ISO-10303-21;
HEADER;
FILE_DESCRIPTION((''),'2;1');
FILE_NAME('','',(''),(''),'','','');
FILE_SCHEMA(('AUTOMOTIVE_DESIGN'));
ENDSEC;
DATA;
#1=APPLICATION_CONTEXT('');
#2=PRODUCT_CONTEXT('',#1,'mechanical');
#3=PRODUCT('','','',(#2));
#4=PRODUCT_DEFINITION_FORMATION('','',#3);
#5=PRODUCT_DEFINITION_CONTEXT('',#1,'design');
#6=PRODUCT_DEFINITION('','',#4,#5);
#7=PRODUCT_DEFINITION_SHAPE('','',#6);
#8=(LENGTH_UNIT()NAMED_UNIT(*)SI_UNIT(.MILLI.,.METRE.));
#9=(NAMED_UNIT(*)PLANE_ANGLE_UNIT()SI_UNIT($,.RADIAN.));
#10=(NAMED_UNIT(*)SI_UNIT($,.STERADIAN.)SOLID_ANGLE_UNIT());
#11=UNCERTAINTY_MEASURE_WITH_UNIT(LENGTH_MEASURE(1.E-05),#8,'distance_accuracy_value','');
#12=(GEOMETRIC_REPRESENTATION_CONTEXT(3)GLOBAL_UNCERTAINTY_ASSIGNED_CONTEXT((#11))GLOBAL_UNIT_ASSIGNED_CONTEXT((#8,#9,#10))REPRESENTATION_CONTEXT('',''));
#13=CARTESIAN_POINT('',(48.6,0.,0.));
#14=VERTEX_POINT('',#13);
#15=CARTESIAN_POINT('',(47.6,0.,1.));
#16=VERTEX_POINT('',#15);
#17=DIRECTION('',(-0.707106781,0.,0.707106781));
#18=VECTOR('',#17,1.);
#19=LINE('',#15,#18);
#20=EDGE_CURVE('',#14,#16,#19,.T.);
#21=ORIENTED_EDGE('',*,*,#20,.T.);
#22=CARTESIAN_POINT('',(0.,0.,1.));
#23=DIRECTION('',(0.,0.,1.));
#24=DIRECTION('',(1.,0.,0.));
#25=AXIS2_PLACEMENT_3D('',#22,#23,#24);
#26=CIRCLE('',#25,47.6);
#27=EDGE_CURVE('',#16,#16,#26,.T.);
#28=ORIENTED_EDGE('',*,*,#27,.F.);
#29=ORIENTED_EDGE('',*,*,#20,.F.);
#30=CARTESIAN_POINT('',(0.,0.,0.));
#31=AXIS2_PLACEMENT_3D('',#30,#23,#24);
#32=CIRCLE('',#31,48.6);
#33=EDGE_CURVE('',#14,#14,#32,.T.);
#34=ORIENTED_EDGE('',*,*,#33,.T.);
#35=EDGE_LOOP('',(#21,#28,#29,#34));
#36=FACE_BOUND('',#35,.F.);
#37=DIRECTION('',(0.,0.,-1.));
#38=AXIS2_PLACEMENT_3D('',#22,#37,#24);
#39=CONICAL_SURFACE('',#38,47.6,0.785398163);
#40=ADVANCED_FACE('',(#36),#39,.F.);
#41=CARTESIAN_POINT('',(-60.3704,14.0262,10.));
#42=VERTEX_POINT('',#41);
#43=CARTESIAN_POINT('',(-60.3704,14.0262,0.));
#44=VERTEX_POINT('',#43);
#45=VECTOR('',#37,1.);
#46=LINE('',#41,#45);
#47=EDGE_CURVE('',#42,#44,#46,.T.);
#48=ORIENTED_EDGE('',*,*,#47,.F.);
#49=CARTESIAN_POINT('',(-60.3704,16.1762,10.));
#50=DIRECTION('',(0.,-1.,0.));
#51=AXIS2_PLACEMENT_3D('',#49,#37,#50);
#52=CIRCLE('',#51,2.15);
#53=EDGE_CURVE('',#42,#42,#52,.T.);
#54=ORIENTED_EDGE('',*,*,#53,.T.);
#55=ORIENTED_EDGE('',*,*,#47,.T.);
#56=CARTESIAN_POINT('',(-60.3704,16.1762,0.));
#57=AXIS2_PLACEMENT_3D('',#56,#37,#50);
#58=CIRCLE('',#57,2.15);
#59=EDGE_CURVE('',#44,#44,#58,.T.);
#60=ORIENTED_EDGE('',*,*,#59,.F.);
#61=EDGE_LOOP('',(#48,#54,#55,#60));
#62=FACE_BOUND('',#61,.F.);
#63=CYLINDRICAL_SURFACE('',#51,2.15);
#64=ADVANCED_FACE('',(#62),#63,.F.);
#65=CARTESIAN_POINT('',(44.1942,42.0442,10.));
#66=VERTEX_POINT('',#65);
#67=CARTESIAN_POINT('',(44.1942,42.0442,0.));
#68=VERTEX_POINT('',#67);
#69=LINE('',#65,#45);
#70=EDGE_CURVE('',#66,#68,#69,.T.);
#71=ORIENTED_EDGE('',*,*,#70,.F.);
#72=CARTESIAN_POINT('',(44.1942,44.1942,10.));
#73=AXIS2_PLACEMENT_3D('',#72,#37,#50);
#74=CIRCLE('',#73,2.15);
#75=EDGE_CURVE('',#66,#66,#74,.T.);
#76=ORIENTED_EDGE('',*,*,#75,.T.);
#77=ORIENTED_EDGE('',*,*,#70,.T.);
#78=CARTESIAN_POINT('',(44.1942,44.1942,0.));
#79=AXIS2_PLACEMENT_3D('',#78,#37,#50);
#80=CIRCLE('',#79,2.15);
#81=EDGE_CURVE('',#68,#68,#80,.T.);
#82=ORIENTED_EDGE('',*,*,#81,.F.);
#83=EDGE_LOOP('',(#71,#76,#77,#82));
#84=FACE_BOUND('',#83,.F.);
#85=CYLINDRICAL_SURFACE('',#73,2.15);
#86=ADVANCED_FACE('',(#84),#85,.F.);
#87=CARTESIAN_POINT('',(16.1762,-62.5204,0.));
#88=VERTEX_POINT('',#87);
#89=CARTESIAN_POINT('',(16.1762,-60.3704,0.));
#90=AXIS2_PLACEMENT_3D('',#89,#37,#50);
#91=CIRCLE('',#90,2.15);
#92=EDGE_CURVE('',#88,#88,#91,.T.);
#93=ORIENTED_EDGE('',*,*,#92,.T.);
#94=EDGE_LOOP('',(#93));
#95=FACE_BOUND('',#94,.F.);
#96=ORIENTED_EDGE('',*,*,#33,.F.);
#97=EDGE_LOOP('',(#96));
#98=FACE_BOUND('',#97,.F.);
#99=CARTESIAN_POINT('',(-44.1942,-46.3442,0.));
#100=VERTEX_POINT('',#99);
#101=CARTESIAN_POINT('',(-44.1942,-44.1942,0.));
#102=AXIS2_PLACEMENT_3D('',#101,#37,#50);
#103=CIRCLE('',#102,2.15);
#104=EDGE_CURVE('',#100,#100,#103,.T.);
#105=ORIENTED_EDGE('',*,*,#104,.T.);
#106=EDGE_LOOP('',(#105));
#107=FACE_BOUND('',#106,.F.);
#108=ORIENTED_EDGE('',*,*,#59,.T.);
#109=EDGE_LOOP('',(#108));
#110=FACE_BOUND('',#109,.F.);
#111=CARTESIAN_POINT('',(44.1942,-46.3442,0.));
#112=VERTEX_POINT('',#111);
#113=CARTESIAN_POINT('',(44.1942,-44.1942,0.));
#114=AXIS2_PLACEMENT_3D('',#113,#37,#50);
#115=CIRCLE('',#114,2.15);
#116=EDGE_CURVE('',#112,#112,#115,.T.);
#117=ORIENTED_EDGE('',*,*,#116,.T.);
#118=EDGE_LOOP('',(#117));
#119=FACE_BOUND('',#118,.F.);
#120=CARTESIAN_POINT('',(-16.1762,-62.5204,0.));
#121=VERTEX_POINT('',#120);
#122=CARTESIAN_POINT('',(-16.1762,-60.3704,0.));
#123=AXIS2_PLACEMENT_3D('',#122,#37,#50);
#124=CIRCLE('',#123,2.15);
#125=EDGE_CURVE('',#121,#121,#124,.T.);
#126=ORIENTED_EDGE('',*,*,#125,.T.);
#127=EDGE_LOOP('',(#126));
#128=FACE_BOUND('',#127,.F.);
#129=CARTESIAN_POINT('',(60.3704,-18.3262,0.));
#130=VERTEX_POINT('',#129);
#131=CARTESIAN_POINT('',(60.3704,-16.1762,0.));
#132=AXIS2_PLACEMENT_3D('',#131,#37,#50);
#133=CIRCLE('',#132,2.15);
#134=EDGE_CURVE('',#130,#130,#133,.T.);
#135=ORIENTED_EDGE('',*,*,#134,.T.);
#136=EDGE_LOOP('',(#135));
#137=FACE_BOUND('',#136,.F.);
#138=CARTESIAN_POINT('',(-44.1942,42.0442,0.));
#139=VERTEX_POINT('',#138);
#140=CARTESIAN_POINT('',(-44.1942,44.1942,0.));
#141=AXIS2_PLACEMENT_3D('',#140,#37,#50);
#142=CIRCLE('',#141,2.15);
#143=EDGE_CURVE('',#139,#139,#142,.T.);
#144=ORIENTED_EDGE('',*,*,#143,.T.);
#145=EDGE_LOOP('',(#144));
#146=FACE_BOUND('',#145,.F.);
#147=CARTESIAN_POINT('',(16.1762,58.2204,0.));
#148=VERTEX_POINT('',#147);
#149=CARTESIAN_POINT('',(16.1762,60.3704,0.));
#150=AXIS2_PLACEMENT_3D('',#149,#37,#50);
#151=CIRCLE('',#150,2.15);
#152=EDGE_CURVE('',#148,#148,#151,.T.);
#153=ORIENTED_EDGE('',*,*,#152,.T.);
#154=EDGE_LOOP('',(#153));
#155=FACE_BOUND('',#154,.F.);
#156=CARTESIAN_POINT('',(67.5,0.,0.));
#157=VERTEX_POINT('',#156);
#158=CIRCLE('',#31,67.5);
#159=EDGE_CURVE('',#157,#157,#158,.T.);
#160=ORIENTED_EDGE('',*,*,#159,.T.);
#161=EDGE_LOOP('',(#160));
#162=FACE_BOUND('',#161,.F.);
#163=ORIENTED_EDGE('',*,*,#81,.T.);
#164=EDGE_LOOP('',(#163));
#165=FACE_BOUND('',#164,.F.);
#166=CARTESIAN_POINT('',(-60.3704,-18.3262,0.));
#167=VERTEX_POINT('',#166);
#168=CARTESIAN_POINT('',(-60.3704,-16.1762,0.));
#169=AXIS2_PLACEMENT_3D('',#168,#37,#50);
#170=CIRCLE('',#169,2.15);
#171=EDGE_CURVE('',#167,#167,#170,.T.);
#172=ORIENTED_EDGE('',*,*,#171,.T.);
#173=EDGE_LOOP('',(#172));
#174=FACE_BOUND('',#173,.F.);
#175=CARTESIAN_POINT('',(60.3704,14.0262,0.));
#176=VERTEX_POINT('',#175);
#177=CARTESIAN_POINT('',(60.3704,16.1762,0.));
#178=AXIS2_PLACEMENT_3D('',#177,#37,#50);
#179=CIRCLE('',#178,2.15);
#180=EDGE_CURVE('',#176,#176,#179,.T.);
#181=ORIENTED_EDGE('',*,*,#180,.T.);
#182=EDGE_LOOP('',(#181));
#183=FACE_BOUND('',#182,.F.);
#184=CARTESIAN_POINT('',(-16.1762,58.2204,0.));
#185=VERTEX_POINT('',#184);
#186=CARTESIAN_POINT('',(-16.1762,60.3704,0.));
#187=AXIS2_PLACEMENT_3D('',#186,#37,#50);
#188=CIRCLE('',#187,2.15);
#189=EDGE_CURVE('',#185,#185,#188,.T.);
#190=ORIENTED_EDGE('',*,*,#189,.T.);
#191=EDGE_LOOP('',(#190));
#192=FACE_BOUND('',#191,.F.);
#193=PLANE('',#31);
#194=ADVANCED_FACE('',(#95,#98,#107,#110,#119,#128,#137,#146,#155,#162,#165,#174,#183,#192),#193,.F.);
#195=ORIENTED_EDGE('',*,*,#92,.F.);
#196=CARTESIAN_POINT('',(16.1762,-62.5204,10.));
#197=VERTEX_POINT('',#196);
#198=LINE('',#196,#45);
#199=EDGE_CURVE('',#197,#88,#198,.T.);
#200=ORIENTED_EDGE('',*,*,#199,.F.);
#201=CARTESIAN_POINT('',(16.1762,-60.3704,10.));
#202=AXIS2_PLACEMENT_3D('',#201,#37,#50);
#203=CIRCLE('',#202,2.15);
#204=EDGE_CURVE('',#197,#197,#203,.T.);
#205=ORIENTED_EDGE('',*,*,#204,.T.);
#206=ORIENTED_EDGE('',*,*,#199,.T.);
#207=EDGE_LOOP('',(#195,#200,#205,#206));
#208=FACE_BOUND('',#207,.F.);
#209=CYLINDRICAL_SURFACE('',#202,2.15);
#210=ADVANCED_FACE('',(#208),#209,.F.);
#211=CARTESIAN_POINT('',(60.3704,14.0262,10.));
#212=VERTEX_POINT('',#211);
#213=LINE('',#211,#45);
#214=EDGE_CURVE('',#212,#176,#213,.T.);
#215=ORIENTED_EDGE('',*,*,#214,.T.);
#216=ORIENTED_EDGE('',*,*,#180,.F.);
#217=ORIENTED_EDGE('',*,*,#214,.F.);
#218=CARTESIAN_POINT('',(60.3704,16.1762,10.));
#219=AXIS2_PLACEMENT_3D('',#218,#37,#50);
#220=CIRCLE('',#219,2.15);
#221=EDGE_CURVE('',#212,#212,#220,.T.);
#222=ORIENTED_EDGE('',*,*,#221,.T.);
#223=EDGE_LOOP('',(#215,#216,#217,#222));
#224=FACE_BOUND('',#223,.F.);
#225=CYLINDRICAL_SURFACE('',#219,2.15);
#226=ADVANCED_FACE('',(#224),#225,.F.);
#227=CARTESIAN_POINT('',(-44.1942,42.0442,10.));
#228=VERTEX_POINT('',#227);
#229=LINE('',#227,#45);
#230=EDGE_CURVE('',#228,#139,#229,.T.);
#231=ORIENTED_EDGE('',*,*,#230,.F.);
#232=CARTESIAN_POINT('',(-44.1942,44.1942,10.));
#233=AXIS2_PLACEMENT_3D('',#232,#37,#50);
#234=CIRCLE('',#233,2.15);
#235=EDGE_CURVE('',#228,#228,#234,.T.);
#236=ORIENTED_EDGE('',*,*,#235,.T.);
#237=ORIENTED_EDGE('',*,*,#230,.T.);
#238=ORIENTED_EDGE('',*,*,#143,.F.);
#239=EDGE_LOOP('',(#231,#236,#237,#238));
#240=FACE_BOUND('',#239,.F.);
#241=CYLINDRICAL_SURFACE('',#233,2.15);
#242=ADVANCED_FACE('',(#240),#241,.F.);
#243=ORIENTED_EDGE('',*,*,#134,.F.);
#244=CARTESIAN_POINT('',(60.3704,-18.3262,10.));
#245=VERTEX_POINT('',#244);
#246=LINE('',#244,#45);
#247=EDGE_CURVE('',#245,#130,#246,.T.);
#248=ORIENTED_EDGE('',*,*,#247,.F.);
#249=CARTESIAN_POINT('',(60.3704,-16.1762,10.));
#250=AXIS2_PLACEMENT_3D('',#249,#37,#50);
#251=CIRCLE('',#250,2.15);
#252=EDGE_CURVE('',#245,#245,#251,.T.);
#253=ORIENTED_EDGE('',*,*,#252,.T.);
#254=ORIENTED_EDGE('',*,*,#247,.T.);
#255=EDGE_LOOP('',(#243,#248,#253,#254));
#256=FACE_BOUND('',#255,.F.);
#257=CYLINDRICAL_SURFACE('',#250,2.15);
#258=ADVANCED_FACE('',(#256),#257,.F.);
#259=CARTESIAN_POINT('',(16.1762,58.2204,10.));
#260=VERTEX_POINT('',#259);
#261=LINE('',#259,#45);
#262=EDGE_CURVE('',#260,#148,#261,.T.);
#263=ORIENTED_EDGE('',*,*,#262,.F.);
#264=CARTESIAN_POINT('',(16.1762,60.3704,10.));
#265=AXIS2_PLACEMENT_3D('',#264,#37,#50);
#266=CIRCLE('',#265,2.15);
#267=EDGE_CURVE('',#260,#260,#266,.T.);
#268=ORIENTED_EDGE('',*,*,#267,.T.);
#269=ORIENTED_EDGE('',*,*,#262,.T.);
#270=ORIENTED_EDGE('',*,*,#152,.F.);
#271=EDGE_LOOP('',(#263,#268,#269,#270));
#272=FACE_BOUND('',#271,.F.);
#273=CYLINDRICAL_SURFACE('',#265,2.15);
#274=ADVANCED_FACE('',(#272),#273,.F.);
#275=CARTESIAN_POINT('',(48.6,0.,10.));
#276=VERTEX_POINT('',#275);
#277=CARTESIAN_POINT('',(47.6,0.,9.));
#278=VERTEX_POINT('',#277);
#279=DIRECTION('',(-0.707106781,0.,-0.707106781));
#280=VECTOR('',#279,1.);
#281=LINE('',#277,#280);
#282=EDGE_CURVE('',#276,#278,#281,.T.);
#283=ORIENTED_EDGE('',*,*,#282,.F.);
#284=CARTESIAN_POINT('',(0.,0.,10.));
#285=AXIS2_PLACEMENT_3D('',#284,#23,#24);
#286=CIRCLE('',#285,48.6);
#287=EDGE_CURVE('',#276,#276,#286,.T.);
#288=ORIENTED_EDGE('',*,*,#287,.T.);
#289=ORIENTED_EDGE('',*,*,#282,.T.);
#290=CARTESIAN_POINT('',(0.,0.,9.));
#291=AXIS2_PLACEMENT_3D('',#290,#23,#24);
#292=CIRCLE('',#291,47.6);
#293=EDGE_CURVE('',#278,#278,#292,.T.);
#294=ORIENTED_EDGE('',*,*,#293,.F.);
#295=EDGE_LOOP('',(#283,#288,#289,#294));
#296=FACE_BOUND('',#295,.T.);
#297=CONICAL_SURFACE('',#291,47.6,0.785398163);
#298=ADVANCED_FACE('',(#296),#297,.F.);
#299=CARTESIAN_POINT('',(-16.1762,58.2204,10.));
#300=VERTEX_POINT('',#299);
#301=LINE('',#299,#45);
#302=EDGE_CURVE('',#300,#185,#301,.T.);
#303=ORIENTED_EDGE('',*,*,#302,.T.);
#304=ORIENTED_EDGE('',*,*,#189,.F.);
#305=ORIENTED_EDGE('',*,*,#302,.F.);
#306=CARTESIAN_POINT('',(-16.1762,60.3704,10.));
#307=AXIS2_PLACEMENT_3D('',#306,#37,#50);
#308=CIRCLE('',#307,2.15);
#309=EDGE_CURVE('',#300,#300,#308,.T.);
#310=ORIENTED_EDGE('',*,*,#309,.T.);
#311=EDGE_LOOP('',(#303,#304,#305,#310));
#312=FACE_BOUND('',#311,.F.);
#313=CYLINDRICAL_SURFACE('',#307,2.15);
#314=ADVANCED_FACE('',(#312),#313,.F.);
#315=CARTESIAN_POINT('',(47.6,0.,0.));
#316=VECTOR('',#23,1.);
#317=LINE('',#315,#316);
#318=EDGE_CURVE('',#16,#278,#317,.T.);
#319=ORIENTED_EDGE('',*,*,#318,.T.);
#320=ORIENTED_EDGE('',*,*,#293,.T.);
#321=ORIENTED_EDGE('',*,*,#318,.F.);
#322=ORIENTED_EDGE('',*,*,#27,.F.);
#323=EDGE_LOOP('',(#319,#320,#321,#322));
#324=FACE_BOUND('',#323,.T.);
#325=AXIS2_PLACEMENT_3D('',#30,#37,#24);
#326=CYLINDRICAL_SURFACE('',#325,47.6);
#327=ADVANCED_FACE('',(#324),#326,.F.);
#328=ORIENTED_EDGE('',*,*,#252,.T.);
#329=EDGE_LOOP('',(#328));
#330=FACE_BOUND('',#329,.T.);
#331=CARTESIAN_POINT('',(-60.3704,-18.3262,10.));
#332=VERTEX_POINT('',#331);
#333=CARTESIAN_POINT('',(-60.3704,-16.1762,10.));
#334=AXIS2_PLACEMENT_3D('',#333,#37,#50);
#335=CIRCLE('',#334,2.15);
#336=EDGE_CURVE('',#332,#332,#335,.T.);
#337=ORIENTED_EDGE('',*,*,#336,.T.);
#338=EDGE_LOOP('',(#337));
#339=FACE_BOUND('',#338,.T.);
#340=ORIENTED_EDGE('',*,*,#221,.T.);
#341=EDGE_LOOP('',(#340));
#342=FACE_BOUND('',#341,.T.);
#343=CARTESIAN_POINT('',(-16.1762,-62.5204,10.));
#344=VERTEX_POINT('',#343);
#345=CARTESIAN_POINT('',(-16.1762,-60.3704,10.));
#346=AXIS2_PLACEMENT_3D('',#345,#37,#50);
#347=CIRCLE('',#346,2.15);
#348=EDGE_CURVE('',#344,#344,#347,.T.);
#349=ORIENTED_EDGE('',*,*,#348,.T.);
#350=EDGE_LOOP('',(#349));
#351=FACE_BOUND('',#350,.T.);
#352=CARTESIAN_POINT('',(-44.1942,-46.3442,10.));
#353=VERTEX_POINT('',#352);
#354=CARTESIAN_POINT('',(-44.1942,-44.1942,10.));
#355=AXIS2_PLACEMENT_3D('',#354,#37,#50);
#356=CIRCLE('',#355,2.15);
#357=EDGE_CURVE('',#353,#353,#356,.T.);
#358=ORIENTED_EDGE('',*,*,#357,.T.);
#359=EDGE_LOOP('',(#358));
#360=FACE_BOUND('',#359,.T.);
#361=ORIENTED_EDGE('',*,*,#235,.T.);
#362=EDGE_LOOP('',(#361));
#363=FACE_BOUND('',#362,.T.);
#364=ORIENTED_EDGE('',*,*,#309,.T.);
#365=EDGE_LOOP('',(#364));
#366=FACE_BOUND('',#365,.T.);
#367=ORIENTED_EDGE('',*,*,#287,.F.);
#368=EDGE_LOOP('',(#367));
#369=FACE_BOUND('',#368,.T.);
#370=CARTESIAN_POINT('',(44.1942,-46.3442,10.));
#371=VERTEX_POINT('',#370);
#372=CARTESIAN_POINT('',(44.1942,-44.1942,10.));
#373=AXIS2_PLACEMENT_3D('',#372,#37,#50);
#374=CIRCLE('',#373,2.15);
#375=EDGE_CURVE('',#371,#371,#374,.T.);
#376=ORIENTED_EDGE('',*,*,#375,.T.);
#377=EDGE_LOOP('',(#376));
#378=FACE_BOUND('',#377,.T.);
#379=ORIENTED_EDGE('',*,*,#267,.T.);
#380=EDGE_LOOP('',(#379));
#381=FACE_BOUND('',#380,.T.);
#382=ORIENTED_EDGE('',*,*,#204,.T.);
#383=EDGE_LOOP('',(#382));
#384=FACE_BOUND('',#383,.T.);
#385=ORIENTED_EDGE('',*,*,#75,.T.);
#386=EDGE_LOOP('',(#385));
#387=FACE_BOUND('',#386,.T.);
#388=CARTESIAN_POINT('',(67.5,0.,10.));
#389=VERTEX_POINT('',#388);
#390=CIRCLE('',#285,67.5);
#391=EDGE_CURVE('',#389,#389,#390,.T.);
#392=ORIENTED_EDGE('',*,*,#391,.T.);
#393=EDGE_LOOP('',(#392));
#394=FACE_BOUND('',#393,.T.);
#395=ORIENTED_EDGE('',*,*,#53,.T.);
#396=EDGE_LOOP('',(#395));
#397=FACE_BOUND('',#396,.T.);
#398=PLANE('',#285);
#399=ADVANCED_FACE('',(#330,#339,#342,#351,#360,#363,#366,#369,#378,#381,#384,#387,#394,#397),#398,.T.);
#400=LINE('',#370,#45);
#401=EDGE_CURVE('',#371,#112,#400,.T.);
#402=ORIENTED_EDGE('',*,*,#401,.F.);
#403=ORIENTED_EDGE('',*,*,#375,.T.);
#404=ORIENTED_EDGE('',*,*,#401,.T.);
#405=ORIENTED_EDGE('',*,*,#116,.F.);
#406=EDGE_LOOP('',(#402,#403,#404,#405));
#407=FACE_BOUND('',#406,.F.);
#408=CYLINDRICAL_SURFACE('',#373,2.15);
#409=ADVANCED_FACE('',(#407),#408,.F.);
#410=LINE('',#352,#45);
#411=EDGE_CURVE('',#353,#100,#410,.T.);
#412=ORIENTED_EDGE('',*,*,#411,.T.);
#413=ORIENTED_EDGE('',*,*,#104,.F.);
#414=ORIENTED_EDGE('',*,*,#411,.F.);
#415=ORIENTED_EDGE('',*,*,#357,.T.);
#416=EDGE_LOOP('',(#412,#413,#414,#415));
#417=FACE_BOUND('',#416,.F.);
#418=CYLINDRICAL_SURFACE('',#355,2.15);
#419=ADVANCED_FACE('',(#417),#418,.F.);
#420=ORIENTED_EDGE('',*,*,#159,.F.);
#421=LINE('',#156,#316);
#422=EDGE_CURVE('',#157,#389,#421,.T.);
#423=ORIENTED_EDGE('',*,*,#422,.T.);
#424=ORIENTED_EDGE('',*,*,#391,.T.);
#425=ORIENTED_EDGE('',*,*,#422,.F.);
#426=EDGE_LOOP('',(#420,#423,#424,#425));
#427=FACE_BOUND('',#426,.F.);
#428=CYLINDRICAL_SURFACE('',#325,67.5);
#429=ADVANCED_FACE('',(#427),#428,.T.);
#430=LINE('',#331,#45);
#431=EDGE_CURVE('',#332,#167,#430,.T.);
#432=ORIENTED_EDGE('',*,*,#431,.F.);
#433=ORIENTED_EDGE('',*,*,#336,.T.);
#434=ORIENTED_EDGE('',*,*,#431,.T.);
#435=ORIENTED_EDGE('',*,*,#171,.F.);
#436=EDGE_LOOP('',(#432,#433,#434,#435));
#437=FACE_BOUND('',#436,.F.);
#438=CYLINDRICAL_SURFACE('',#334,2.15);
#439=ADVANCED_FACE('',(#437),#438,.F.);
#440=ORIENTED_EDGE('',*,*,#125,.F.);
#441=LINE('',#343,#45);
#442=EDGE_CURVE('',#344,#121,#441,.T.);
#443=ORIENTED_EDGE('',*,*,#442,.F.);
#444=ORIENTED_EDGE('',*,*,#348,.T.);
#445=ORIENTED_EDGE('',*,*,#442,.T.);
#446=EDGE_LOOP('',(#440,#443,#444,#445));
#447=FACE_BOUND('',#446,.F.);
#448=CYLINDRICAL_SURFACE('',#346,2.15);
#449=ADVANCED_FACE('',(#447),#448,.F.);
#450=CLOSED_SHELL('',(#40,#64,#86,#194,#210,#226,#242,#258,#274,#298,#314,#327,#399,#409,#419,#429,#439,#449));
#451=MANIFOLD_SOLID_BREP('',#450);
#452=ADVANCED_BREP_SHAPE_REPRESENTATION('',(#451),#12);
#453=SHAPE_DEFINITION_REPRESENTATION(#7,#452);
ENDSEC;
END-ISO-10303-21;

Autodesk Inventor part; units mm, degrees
ref_plane "YZ Plane" through (0, 0, 0) normal (1, 0, 0) x (0, 1, 0)
ref_plane "XZ Plane" through (0, 0, 0) normal (0, 1, 0) x (-1, 0, 0)
ref_plane "XY Plane" through (0, 0, 0) normal (0, 0, 1) x (1, 0, 0)
sketch "スケッチ1" plane through (0, 0, 0) normal (0, 0, 1) x (1, 0, 0)
  circle A0 centre (0, 0) radius 47.6
  circle A1 centre (0, 0) radius 67.5
  dimension "d0" = 95.2
  dimension "d1" = 135
extrude "押し出し1" add sketch "スケッチ1" along normal blind 10
sketch "スケッチ2" plane through (0, 0, 10) normal (0, 0, 1) x (1, 0, 0)
  circle A0 centre (0, 0) radius 62.5
  point P0 (16.1762, 60.3704)
  point P1 (-16.1762, 60.3704)
  point P2 (-44.1942, 44.1942)
  point P3 (-60.3704, 16.1762)
  point P4 (-60.3704, -16.1762)
  point P5 (-44.1942, -44.1942)
  point P6 (-16.1762, -60.3704)
  point P7 (16.1762, -60.3704)
  point P8 (44.1942, -44.1942)
  point P9 (60.3704, -16.1762)
  point P10 (60.3704, 16.1762)
  point P11 (44.1942, 44.1942)
  dimension "d4" = 125
  dimension "d7" = 360
  dimension "d25" = 0
hole "穴1" at (16.1762, 60.3704, 10) at (-16.1762, 60.3704, 10) at (-44.1942, 44.1942, 10) at (-60.3704, 16.1762, 10) at (-60.3704, -16.1762, 10) at (-44.1942, -44.1942, 10) at (-16.1762, -60.3704, 10) at (16.1762, -60.3704, 10) at (44.1942, -44.1942, 10) at (60.3704, -16.1762, 10) at (60.3704, 16.1762, 10) at (44.1942, 44.1942, 10) direction (0, 0, -1) diameter 4.3 end through all clearance for "Flat Head Machine Screw" size "M4" standard "Ansi Metric M Profile"
chamfer "面取り1" distance 1 angle 45 2 edges at (-47.6, 0, 10) (-47.6, 0, 0)
sketch "スケッチ3" plane through (0, 0, 10) normal (0, 0, 1) x (1, 0, 0)
  circle A0 centre (16.1762, 60.3704) radius 2.15 projected
  circle A1 centre (-16.1762, 60.3704) radius 2.15 projected
  circle A2 centre (0, 0) radius 67.5 projected
  circle A3 centre (0, 0) radius 62.5
  circle A4 centre (-16.1762, 60.3704) radius 5
  circle A5 centre (16.1762, 60.3704) radius 5
  point P0 (11.2987, 61.4702)
  point P1 (17.4703, 65.2)
  point P2 (-17.4703, 65.2)
  point P3 (-20.9502, 58.8841)
properties part number "unit-j2-base2" material "ABS プラスチック"
